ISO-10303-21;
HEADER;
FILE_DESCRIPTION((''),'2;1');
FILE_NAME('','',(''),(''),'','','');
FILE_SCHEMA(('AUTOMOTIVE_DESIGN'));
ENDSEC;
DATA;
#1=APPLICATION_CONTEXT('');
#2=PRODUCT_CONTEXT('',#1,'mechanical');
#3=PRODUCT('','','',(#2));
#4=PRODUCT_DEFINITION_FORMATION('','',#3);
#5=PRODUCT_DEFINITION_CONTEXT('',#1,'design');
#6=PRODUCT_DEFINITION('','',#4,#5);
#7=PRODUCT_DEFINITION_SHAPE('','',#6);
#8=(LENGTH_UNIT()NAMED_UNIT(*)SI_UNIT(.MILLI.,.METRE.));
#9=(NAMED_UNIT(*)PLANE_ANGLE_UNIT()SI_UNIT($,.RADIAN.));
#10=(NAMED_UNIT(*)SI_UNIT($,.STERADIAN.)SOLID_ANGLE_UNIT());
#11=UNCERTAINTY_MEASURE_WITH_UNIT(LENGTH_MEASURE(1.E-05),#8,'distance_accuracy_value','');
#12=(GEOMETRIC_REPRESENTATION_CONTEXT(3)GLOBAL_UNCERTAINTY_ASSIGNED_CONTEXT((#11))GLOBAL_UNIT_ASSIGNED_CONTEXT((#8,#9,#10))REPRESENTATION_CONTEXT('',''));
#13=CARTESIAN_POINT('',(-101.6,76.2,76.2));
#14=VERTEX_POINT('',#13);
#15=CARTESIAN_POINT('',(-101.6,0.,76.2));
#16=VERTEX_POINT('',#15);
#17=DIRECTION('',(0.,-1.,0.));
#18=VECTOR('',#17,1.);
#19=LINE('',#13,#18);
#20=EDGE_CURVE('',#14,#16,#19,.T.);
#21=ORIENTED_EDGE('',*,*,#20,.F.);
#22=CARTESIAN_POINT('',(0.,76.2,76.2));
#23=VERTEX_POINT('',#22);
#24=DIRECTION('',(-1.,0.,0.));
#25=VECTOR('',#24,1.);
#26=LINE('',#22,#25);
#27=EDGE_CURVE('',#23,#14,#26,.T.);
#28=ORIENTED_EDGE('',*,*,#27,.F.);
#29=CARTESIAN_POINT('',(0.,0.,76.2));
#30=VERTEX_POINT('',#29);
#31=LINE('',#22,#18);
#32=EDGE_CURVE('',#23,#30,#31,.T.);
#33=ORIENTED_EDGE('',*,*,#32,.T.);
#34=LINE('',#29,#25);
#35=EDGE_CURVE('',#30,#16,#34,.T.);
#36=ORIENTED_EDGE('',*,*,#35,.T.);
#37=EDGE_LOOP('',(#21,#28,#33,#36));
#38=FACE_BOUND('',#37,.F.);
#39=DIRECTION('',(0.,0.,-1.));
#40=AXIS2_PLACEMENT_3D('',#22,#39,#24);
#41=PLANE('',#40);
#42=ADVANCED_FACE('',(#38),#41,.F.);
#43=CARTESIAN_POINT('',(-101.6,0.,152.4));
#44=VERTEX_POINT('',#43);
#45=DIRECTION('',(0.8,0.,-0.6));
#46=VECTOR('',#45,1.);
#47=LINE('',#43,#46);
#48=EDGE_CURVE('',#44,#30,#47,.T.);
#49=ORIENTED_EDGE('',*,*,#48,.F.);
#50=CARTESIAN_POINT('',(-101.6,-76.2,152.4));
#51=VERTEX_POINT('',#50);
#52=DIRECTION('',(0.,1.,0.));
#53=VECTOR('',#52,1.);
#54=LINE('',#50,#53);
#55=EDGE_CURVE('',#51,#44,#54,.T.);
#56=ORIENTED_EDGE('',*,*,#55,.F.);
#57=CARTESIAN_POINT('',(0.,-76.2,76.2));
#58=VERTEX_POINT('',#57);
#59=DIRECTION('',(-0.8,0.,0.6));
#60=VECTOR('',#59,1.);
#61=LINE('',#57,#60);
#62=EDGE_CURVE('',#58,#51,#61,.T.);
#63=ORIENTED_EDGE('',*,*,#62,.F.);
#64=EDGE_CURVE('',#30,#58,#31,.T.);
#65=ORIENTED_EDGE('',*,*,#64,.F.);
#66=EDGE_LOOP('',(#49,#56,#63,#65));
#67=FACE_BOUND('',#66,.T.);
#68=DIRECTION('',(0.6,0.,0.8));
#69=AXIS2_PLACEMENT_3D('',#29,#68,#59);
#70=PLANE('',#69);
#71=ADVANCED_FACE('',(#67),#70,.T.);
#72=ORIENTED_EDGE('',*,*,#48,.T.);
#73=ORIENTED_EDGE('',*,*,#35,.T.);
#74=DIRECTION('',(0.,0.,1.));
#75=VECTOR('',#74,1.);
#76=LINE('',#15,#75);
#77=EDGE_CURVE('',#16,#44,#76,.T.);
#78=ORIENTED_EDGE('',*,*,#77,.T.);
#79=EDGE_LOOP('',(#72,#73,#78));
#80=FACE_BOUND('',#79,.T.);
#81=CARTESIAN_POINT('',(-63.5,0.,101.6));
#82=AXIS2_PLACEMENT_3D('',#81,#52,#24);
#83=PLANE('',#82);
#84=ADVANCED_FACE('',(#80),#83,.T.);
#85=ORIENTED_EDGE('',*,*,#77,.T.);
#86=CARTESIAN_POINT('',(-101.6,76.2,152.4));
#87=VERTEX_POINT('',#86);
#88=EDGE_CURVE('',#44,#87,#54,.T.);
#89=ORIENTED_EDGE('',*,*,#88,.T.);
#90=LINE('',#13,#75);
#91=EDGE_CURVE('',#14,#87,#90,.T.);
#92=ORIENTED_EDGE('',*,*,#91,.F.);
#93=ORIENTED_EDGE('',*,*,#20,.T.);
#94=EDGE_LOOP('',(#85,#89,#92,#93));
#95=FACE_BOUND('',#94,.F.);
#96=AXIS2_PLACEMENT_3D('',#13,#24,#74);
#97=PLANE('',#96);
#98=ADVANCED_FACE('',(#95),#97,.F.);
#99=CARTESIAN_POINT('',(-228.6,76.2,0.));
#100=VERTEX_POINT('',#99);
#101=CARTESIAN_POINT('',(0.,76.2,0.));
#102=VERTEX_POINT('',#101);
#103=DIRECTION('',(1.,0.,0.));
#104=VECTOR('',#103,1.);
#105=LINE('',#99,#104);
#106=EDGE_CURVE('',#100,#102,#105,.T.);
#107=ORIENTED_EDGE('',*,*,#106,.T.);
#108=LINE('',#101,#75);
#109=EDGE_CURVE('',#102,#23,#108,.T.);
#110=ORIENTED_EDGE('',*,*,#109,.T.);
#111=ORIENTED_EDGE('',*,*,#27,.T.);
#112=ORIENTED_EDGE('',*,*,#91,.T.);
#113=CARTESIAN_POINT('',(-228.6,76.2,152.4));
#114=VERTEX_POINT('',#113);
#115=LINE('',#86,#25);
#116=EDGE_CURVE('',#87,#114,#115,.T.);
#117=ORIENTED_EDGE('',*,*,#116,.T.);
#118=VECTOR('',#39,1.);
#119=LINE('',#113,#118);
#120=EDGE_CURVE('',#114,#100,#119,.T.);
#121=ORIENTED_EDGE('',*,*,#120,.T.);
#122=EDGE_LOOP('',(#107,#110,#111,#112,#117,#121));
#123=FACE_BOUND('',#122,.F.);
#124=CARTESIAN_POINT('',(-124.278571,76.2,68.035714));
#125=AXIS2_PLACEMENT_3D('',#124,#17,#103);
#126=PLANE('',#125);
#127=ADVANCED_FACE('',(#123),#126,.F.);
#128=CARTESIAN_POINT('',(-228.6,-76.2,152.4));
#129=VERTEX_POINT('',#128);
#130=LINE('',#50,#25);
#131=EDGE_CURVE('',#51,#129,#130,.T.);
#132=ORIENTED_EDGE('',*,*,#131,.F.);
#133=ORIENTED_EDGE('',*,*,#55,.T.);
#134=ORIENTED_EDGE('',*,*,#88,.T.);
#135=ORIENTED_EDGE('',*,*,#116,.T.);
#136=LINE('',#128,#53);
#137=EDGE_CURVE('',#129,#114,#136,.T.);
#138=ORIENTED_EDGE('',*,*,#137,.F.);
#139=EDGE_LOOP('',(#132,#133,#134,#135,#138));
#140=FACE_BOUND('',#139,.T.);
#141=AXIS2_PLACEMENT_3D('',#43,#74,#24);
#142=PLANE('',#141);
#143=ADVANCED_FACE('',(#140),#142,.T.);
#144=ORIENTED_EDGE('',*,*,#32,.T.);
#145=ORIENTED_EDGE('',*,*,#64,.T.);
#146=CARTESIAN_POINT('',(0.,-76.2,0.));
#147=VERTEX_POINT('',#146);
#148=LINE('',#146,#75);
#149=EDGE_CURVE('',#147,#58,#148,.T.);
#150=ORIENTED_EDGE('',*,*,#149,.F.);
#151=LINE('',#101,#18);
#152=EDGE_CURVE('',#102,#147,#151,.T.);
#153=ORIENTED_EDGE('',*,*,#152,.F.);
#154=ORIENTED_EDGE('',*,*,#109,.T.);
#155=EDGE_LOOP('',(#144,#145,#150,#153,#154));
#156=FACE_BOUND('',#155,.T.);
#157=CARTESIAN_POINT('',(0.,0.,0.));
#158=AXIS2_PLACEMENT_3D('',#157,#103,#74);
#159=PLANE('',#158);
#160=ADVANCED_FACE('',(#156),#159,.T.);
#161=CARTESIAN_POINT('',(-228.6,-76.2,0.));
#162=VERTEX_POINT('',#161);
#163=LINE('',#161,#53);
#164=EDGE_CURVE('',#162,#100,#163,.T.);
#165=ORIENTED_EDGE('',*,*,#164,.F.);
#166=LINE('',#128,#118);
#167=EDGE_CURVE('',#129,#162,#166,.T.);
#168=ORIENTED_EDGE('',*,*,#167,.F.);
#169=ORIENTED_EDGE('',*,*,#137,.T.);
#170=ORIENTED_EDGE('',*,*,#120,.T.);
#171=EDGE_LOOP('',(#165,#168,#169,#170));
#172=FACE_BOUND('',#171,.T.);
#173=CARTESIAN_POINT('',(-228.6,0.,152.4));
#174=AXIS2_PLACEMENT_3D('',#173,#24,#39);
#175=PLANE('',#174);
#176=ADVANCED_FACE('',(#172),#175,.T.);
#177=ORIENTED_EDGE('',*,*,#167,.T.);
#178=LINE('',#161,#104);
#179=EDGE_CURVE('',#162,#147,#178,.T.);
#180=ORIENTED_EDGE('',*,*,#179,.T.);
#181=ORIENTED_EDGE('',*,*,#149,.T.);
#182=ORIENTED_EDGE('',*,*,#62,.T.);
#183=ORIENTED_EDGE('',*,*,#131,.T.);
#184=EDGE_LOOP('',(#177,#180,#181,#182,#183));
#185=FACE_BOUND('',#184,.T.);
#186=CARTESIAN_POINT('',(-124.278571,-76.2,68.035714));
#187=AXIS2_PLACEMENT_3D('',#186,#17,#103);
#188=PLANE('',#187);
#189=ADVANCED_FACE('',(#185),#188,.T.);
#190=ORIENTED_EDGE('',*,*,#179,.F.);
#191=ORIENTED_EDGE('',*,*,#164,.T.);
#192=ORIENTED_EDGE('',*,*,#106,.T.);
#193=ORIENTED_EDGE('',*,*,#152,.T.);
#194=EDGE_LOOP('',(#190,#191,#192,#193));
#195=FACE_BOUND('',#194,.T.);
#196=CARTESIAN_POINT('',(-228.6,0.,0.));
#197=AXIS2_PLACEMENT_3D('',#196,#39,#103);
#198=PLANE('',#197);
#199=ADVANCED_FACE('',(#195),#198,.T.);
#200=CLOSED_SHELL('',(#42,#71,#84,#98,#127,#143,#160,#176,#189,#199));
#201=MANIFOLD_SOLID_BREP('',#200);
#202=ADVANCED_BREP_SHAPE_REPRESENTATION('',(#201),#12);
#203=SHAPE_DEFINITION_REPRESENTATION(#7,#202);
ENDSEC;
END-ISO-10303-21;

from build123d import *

# Parameters (mm, degrees)
F1_DEPTH = 76.2
F3_DEPTH = 76.2


with BuildPart() as f1:
    # F0 (on Front) → F1 (new body, symmetric)
    with BuildSketch(Plane.XZ):
        Polygon((-228.6, 0), (0, 0), (0, 76.2), (-101.6, 152.4), (-228.6, 152.4), align=None)
    extrude(amount=F1_DEPTH, both=True)

    # F2 (on face) → F3 (cut)
    with BuildSketch(Plane(origin=(0, 76.2, 0), x_dir=(-1, 0, 0), z_dir=(0, 1, 0))):
        Polygon((101.6, 76.2), (101.6, 152.4), (0, 76.2), align=None)
    extrude(amount=-F3_DEPTH, mode=Mode.SUBTRACT)


solid = f1.part
